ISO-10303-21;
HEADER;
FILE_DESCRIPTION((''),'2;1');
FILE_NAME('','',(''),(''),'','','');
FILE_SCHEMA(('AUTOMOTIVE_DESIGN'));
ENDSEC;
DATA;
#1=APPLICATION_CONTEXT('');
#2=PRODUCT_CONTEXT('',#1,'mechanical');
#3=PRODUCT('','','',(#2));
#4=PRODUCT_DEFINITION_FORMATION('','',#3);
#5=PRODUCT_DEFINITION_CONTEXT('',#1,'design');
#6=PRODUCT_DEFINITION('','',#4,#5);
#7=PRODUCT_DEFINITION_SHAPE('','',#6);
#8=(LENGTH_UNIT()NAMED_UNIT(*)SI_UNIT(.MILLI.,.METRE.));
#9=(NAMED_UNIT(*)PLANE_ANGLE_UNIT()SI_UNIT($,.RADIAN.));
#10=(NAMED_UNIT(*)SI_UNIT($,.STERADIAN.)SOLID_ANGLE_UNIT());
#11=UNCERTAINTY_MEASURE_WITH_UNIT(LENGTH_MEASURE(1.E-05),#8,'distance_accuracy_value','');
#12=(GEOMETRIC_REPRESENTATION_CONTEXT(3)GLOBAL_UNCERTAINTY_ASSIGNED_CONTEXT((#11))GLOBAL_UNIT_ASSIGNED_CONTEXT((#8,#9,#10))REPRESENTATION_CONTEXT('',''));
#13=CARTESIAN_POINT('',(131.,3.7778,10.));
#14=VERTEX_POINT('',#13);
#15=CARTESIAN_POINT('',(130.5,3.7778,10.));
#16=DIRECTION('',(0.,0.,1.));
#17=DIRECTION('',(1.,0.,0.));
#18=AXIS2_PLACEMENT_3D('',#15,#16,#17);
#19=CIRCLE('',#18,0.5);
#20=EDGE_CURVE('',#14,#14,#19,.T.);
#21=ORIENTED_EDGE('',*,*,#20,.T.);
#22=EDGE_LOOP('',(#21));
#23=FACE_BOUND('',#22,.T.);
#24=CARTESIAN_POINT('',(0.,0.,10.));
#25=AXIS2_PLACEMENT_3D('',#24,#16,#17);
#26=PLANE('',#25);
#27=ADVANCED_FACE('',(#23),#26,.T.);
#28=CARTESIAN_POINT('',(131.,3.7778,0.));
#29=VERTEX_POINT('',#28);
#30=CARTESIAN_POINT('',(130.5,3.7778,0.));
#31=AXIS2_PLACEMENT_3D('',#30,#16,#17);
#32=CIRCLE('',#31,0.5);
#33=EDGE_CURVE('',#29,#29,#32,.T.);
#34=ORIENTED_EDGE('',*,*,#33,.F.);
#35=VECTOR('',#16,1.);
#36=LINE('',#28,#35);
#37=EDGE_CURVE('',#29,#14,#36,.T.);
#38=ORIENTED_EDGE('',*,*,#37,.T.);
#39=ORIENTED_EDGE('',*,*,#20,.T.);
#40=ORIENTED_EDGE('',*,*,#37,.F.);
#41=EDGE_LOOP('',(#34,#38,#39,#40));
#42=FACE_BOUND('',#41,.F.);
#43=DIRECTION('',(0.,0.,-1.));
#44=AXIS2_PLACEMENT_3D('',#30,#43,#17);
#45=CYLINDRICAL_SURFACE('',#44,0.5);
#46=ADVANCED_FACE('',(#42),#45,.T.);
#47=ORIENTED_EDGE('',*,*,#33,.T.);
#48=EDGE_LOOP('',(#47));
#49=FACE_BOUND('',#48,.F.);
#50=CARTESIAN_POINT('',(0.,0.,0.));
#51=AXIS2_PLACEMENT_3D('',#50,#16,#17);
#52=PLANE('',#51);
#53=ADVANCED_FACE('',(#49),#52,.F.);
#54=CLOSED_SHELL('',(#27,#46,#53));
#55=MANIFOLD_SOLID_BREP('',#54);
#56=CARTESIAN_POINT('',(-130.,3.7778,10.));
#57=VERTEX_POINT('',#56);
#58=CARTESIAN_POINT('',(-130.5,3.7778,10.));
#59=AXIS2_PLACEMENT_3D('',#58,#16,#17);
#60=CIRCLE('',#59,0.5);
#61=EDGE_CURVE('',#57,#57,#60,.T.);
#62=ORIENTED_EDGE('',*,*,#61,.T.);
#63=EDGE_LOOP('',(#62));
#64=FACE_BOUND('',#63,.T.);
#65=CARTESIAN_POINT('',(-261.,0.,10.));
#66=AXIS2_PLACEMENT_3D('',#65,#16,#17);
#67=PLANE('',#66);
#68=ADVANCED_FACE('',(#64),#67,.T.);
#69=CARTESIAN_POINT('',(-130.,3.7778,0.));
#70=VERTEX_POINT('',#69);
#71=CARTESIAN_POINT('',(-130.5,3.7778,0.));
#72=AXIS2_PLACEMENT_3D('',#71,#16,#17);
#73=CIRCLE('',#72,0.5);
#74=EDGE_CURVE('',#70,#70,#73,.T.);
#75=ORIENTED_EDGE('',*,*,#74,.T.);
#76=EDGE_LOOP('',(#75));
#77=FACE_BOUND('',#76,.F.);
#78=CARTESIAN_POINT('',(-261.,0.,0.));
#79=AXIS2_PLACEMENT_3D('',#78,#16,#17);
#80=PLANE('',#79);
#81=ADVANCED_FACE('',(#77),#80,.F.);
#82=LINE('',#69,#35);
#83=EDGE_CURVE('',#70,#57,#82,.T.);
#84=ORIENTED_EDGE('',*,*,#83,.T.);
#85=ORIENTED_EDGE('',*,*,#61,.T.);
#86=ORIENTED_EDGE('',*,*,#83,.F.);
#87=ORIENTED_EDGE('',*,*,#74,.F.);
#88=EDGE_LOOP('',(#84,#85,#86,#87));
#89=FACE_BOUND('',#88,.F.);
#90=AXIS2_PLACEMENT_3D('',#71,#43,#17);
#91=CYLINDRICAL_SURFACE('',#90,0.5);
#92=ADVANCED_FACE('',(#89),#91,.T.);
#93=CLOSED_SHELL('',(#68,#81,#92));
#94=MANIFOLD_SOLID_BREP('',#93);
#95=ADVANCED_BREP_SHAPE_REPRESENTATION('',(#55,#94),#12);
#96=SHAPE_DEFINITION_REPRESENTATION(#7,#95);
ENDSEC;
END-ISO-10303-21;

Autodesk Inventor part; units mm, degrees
ref_plane "YZ Plane" through (0, 0, 0) normal (1, 0, 0) x (0, 1, 0)
ref_plane "XZ Plane" through (0, 0, 0) normal (0, 1, 0) x (-1, 0, 0)
ref_plane "XY Plane" through (0, 0, 0) normal (0, 0, 1) x (1, 0, 0)
sketch "Sketch1" plane through (0, 0, 0) normal (0, 0, 1) x (1, 0, 0)
  line L0 (-190.5, -10.9695) -> (190.5, -10.9695)
  line L1 (190.5, -10.9695) -> (190.5, 10.9695)
  line L2 (190.5, 10.9695) -> (-190.5, 10.9695)
  line L3 (-190.5, 10.9695) -> (-190.5, -10.9695)
  line L4 (-190.5, -10.9695) -> (190.5, 10.9695) construction
  line L5 (190.5, -10.9695) -> (-190.5, 10.9695) construction
  point P0 (0, 0)
  dimension "d0" = 381
  dimension "d1" = 21.939
sketch "Lamello" plane through (0, 0, 0) normal (0, 0, 1) x (1, 0, 0)
  line L0 (48.383, 141.1858) -> (42.783, 141.1858)
  line L1 (40.583, 139.6858) -> (40.583, 114.6858)
  line L2 (42.783, 113.1858) -> (48.383, 113.1858)
  line L3 (50.583, 114.6858) -> (50.583, 139.6858)
  line L4 (50.583, 139.6858) -> (48.383, 141.1858)
  line L5 (40.583, 139.6858) -> (42.783, 141.1858)
  line L6 (40.583, 114.6858) -> (42.783, 113.1858)
  line L7 (50.583, 114.6858) -> (48.383, 113.1858)
  line L8 (50.583, 127.1858) -> (40.583, 127.1858)
  line L9 (45.583, 141.1858) -> (45.583, 113.1858)
  point P0 (45.583, 127.1858)
  point P1 (50.583, 141.1858)
  point P2 (40.583, 113.1858)
  point P3 (40.583, 141.1858)
  point P4 (50.583, 113.1858)
  dimension "d54" = 10
  dimension "d55" = 28
  dimension "d56" = 1.5
  dimension "d57" = 2.2
  dimension "d58" = 1.5
  dimension "d59" = 2.2
  dimension "d60" = 1.5
  dimension "d61" = 2.2
  dimension "d62" = 1.5
  dimension "d63" = 2.2
sketch "Sketch2" plane through (0, 0, 0) normal (0, 0, 1) x (1, 0, 0)
  circle A0 centre (130.5, 3.7778) radius 0.5
  line L0 (190.5, 10.9695) -> (-190.5, 10.9695) projected
  line L1 (-190.5, -10.9695) -> (190.5, -10.9695) projected
  line L2 (0, -145.0303) -> (0, 106.9697) projected
  line L3 (190.5, -10.9695) -> (190.5, 10.9695) projected
  point P0 (0, 0)
  dimension "d4" = 1
  dimension "d50" = 7.1917
  dimension "d70" = 60
extrude "Extrusion1" add sketch "Sketch2" along normal blind 10 contours A0
pattern_linear "Clamex Array" count 2 spacing 261 along (-1, 0, 0) of "Extrusion1"
sketch "Edge-Side Connection" plane through (0, 0, 0) normal (1, 0, 0) x (0, 1, 0)
  line L0 (-50, 0) -> (50, 0)
  line L1 (50, 0) -> (50, 19)
  line L2 (50, 19) -> (-50, 19)
  line L3 (-50, 19) -> (-50, 0)
  line L4 (-10.9695, 0) -> (-34.0635, -40)
  line L5 (-34.0635, -40) -> (-12.1245, -40)
  line L6 (-12.1245, -40) -> (10.9695, 0)
  line L7 (-2.9208, -14) -> (-2.9208, 14) construction
  line L8 (10.9695, 0) -> (2.0792, 0)
  line L9 (-7.9208, -12.5) -> (-15.62, -8.0549)
  point P0 (0, 0)
  point P1 (10.9695, 0)
  point P2 (0, 0)
  dimension "d26" = 100
  dimension "d27" = 19
  dimension "d28" = 40
  dimension "OtherSideRefYCoordinate" = 8.0487
  dimension "ReferenceCoord" = 13.8903
  dimension "d49" = 120
sketch "Edge-Edge Connection" plane through (0, 0, 0) normal (1, 0, 0) x (0, 1, 0)
  line L0 (-109.0303, 19) -> (10.9697, 19)
  line L1 (10.9697, 19) -> (0, 0)
  line L2 (0, 0) -> (-109.0303, 0)
  line L3 (-109.0303, 0) -> (-109.0303, 19)
  line L4 (10.9697, 19) -> (70.9697, -84.923)
  line L5 (0, 0) -> (54.5152, -94.423)
  line L6 (54.5152, -94.423) -> (70.9697, -84.923)
  line L7 (1.0958, 1.8981) -> (0, 0)
  line L8 (-4.7295, 16.8083) -> (-4.7295, 19)
  point P0 (3.5958, 6.2282)
  dimension "d51" = 19
  dimension "d53" = 19
  dimension "EdgeEdgeReferenceCoord" = 7.1917
  dimension "d65" = 120
  dimension "d66" = 120
  dimension "d67" = 120
  dimension "EdgeEdgeOtherSideRefYCoordinate" = 14.7476
equation "\"d9\" = Step"
equation "\"d27\" = NestleBoardT"
equation "\"d0\" = ContactPatchWidth"
equation "\"d1\" = ContactPatchHeight"
equation "\"ContactPatchWidth\" = 381"
equation "\"ContactPatchHeight\" = 21.939"
equation "\"PlacingWidth\" = 261"
equation "\"MinDistBetween\" = 96"
equation "\"Step\" = 261"
equation "\"Y_Coord\" = 7.19169"
equation "\"NestleBoardT\" = 19"
equation "\"PillarBoardT\" = 19"
equation "\"AngleForYPositionCalc\" = 120deg"
equation "\"ConnectionAngle\" = 120deg"
equation "\"ShiftY\" = 0"
properties part number "Clamex Joint1400"
